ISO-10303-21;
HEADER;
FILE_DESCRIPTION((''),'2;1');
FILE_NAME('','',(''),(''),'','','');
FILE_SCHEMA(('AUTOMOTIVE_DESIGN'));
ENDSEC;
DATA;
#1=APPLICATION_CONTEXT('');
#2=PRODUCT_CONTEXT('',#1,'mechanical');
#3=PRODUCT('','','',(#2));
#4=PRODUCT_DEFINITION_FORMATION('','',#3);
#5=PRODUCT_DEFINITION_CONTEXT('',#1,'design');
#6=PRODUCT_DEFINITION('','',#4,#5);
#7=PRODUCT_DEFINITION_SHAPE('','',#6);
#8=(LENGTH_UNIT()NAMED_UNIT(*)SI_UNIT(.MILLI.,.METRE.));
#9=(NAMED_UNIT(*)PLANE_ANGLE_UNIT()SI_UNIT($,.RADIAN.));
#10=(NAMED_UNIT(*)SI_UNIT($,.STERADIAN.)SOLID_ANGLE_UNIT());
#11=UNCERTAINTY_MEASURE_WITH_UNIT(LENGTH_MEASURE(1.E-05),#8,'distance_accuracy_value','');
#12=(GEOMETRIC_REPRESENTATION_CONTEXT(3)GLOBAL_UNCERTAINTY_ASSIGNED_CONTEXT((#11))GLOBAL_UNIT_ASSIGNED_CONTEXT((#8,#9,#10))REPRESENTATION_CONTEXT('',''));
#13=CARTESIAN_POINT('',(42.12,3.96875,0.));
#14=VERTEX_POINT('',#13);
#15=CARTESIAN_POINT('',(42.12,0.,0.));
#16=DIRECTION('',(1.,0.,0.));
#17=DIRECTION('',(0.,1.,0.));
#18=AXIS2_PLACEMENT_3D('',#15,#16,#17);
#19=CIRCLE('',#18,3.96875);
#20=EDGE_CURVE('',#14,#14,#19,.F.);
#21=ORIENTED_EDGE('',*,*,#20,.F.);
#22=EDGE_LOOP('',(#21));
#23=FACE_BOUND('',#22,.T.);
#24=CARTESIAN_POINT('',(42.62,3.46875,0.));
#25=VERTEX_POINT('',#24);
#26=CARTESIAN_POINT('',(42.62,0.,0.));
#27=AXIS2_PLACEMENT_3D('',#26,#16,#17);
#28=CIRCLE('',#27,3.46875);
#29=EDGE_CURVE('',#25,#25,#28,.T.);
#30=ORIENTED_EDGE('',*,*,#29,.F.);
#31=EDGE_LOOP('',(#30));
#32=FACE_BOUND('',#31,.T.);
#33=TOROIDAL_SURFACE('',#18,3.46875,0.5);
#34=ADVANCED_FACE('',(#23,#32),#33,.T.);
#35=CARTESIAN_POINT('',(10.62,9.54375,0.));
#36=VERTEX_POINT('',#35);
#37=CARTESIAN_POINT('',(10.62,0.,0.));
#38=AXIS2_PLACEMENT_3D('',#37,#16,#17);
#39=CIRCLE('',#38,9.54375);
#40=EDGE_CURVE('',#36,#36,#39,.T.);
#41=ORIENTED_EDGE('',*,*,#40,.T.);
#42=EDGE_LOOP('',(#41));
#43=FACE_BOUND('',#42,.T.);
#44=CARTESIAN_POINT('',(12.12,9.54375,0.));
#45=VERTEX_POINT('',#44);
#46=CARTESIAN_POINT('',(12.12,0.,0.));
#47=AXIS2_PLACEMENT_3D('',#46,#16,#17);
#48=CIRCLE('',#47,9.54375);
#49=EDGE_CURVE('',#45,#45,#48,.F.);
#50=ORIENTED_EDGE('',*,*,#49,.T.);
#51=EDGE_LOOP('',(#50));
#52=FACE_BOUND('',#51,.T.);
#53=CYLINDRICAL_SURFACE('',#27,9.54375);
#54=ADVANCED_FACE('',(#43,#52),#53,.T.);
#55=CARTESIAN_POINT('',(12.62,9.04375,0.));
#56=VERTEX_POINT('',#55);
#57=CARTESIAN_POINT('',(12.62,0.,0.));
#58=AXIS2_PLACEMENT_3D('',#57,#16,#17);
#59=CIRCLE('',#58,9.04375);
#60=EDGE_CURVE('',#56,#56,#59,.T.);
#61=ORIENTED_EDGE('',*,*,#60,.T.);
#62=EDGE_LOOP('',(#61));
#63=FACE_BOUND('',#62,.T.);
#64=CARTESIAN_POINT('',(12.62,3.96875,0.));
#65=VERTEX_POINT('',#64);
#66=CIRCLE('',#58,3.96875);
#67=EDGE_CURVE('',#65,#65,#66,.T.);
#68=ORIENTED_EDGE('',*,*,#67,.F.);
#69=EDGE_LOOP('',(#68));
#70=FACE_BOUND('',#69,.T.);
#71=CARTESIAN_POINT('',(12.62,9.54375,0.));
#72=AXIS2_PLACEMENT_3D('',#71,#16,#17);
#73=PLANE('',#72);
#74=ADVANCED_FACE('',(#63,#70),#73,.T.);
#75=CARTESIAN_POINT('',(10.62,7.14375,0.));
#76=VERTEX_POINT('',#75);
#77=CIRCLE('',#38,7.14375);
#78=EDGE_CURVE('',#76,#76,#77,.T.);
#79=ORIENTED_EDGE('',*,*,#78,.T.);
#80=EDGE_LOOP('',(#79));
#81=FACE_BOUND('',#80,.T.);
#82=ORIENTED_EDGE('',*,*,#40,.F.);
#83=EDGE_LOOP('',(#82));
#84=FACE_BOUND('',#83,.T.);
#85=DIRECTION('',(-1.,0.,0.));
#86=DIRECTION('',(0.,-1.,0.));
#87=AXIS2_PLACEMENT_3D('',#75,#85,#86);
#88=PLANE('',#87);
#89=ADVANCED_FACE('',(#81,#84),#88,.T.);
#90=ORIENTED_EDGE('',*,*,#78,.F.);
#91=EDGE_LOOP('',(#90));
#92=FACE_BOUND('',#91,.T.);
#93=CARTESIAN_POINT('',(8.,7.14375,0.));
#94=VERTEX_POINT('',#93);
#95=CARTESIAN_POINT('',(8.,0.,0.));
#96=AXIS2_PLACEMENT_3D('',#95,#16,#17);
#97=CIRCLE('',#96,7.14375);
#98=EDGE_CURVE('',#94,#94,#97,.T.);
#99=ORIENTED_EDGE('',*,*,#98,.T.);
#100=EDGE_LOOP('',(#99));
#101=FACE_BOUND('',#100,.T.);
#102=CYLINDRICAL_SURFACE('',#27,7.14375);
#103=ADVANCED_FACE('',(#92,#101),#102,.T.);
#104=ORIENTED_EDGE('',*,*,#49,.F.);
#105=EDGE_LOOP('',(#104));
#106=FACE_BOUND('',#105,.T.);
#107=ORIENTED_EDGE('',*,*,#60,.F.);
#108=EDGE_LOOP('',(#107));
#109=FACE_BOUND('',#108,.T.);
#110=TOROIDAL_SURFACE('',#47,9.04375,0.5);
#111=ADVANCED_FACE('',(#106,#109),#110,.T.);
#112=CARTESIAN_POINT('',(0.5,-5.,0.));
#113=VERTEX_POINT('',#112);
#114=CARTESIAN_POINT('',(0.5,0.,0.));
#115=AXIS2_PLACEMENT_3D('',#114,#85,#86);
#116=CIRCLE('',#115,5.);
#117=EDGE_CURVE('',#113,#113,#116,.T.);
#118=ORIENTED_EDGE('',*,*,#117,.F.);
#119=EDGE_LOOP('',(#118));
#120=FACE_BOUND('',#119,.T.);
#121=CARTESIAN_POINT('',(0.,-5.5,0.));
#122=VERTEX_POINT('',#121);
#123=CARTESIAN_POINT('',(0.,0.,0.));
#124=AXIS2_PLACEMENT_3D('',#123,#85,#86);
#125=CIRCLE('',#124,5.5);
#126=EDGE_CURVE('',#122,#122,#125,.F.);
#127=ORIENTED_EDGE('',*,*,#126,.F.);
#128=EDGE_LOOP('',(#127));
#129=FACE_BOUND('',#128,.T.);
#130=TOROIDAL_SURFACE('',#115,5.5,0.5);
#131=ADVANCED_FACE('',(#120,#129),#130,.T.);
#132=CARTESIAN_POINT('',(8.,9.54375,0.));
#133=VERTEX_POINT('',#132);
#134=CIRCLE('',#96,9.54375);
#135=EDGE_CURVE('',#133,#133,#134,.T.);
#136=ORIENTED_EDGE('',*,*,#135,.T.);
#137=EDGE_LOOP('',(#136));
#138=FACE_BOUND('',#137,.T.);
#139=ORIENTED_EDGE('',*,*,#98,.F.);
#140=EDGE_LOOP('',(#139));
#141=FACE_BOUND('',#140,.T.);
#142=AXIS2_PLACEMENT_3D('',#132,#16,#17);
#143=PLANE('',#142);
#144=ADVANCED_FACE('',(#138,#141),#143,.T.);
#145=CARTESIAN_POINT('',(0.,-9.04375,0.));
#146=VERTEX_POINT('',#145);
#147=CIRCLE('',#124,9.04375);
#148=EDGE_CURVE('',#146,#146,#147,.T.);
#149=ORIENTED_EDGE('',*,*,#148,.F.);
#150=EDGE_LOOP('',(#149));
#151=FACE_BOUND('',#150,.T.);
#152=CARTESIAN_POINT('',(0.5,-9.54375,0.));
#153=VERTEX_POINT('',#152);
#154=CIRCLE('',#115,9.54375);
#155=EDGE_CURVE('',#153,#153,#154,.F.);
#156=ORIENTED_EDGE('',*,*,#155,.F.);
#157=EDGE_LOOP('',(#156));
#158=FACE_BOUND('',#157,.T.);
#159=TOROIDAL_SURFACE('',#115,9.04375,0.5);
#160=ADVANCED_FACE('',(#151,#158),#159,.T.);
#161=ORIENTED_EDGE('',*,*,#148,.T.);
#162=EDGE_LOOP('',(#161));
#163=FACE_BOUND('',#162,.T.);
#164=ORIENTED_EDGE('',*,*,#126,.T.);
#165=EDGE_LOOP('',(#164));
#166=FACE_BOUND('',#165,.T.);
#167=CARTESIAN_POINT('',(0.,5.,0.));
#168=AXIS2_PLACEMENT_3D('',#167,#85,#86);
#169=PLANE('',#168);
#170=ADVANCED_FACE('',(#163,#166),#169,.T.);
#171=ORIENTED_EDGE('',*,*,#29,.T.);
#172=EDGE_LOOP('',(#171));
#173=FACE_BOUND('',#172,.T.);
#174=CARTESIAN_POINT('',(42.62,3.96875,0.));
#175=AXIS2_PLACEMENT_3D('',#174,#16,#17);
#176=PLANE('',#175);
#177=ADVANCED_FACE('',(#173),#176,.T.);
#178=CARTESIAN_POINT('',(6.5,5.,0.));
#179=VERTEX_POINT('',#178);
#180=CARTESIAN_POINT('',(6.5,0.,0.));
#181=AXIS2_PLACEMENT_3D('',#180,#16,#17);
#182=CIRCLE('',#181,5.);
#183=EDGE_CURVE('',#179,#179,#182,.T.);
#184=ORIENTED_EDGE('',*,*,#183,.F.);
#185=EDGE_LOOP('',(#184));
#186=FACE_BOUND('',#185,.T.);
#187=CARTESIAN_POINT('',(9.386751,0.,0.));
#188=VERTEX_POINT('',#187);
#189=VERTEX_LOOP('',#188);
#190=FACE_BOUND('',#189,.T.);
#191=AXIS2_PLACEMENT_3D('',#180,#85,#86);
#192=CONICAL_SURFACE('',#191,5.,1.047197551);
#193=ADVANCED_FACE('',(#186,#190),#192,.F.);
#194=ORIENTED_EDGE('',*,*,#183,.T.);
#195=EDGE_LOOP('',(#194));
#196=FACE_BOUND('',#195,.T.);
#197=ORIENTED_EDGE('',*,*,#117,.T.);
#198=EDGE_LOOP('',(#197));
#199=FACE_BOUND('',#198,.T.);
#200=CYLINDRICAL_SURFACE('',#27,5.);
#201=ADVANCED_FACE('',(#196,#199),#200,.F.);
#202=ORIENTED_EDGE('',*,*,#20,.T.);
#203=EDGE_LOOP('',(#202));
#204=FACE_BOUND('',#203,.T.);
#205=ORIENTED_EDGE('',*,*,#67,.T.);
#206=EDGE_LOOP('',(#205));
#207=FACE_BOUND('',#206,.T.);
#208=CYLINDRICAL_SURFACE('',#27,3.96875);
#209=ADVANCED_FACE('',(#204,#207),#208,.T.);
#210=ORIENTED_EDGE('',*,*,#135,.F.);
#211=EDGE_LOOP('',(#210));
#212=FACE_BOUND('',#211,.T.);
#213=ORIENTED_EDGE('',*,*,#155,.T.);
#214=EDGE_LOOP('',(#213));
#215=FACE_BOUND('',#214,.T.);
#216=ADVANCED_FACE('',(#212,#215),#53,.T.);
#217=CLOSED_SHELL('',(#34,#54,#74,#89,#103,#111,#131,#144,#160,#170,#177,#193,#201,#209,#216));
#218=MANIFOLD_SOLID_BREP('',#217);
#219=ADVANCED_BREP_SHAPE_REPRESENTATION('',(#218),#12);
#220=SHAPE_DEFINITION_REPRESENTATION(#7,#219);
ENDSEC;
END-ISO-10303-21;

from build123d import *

# Parameters (mm, degrees)
FILETE1_R = 0.5
FILETE2_R = 0.5
FILETE3_R = 0.5
FILETE4_R = 0.5


with BuildPart() as part:
    # Esboço1 → Revolução1 (revolve)
    with BuildSketch(Plane.XY):
        Polygon((0, 5), (0, 9.54375), (8, 9.54375), (8, 7.14375), (10.62, 7.14375), (10.62, 9.54375), (12.62, 9.54375), (12.62, 3.96875), (42.62, 3.96875), (42.62, 0), (9.386751346, 0), (6.5, 5), align=None)
    revolve(axis=Axis((42.62, 0, 0), (-1, 0, 0)))

    # Filete1
    filete1_edges = [part.edges().sort_by_distance(p)[0] for p in [
        (42.62, -3.96875, 0),
    ]]
    fillet(filete1_edges, radius=FILETE1_R)

    # Filete2
    filete2_edges = [part.edges().sort_by_distance(p)[0] for p in [
        (0, -5, 0),
    ]]
    fillet(filete2_edges, radius=FILETE2_R)

    # Filete3
    filete3_edges = [part.edges().sort_by_distance(p)[0] for p in [
        (0, -9.54375, 0),
    ]]
    fillet(filete3_edges, radius=FILETE3_R)

    # Filete4
    filete4_edges = [part.edges().sort_by_distance(p)[0] for p in [
        (12.62, -9.54375, 0),
    ]]
    fillet(filete4_edges, radius=FILETE4_R)


solid = part.part
